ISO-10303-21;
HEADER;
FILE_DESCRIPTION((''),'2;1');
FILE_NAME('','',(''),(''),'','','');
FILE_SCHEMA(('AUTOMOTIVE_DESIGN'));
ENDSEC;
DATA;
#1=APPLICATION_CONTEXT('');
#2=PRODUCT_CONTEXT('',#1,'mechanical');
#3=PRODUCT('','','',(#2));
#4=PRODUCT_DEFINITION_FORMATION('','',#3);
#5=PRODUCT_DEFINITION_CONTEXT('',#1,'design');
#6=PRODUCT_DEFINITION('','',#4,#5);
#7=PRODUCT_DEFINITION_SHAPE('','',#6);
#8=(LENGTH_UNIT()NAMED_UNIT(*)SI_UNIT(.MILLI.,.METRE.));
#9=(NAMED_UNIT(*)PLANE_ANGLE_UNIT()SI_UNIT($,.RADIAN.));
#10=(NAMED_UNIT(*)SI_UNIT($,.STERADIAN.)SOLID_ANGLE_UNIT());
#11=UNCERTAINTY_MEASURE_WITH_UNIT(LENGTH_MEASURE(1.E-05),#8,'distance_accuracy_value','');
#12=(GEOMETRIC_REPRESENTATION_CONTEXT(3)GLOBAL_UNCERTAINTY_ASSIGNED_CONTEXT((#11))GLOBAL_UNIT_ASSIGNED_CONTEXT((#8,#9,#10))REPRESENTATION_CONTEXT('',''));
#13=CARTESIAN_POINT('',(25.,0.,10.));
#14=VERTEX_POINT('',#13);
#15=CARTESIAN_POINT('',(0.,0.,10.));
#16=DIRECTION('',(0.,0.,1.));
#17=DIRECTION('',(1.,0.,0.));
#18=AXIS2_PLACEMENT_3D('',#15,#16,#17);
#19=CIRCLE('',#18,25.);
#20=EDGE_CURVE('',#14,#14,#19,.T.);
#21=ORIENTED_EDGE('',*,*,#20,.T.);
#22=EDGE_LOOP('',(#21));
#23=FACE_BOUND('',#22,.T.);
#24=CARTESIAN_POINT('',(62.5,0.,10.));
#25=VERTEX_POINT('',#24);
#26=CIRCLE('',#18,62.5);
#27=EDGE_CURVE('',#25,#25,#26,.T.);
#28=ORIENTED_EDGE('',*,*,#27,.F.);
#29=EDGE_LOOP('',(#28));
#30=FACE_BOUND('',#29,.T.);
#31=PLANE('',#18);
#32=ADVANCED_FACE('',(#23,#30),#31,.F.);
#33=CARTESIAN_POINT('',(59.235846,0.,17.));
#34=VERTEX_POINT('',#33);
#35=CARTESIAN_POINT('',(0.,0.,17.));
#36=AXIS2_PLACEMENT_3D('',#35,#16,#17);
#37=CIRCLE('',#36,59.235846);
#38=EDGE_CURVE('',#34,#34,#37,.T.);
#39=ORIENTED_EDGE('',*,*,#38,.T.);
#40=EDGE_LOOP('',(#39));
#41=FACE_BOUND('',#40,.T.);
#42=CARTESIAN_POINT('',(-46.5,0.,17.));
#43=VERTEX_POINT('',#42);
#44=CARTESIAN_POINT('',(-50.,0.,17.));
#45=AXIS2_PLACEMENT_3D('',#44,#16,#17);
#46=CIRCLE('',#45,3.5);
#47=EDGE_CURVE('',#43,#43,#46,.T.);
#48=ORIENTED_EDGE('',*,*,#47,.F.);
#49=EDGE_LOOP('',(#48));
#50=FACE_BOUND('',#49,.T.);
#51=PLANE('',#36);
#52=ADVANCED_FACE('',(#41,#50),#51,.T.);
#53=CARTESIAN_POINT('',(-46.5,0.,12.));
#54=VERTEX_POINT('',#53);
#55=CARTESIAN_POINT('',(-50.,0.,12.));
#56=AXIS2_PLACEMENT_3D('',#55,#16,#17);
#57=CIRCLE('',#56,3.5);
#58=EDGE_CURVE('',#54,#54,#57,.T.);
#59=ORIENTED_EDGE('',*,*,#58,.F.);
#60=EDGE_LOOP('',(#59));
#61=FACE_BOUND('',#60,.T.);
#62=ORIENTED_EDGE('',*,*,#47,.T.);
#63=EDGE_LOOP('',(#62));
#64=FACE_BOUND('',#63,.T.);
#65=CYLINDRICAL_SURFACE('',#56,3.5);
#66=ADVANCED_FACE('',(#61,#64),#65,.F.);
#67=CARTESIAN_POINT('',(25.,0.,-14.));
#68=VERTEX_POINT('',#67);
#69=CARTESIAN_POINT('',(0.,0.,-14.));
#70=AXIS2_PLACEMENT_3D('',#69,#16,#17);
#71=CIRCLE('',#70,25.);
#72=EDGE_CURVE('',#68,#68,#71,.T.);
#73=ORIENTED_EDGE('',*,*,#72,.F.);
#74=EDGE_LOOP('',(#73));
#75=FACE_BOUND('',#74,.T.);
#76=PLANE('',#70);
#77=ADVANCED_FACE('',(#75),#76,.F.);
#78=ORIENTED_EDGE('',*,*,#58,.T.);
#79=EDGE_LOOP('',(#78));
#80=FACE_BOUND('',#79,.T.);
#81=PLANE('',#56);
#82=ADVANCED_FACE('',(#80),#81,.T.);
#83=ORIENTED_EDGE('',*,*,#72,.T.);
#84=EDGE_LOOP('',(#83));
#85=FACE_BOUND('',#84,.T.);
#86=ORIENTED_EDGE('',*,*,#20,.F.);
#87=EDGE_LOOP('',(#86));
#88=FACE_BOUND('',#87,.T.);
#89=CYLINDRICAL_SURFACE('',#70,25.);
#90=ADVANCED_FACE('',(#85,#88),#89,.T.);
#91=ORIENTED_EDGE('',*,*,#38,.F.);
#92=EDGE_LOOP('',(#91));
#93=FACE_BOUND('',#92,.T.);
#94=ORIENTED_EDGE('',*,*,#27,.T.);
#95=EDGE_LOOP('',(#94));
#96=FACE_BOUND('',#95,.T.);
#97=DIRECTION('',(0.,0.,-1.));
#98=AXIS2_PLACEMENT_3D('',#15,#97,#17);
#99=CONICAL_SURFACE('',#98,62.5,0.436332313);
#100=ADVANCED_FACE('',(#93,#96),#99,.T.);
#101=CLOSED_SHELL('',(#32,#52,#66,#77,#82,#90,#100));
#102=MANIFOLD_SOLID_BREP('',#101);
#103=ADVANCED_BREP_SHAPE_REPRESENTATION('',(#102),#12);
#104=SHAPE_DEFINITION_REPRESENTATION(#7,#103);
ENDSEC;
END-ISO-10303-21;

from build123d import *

# Parameters (mm, degrees)
BOSS_EXTRUDE2_DEPTH      = 10
BOSS_EXTRUDE2_DEPTH_BACK = 14
SKETCH2_R                = 25
SKETCH4_R                = 62.5
BOSS_EXTRUDE3_DEPTH      = 7
BOSS_EXTRUDE3_TAPER      = 25
SKETCH6_R                = 3.5
CUT_EXTRUDE2_DEPTH       = 5


with BuildPart() as part:
    # Sketch2 → Boss-Extrude2 (new, two sides: drawn at the far end of the back side and taken through both)
    with BuildSketch(Plane.XY.offset(-BOSS_EXTRUDE2_DEPTH_BACK)):
        Circle(SKETCH2_R)
    extrude(amount=BOSS_EXTRUDE2_DEPTH + BOSS_EXTRUDE2_DEPTH_BACK)

    # Sketch4 → Boss-Extrude3 (add)
    with BuildSketch(Plane.XY.offset(10)):
        Circle(SKETCH4_R)
    extrude(amount=BOSS_EXTRUDE3_DEPTH, taper=BOSS_EXTRUDE3_TAPER)

    # Sketch6 → Cut-Extrude2 (cut)
    with BuildSketch(Plane.XY.offset(17)):
        with Locations((-50, 0)):
            Circle(SKETCH6_R)
    extrude(amount=-CUT_EXTRUDE2_DEPTH, mode=Mode.SUBTRACT)


solid = part.part
